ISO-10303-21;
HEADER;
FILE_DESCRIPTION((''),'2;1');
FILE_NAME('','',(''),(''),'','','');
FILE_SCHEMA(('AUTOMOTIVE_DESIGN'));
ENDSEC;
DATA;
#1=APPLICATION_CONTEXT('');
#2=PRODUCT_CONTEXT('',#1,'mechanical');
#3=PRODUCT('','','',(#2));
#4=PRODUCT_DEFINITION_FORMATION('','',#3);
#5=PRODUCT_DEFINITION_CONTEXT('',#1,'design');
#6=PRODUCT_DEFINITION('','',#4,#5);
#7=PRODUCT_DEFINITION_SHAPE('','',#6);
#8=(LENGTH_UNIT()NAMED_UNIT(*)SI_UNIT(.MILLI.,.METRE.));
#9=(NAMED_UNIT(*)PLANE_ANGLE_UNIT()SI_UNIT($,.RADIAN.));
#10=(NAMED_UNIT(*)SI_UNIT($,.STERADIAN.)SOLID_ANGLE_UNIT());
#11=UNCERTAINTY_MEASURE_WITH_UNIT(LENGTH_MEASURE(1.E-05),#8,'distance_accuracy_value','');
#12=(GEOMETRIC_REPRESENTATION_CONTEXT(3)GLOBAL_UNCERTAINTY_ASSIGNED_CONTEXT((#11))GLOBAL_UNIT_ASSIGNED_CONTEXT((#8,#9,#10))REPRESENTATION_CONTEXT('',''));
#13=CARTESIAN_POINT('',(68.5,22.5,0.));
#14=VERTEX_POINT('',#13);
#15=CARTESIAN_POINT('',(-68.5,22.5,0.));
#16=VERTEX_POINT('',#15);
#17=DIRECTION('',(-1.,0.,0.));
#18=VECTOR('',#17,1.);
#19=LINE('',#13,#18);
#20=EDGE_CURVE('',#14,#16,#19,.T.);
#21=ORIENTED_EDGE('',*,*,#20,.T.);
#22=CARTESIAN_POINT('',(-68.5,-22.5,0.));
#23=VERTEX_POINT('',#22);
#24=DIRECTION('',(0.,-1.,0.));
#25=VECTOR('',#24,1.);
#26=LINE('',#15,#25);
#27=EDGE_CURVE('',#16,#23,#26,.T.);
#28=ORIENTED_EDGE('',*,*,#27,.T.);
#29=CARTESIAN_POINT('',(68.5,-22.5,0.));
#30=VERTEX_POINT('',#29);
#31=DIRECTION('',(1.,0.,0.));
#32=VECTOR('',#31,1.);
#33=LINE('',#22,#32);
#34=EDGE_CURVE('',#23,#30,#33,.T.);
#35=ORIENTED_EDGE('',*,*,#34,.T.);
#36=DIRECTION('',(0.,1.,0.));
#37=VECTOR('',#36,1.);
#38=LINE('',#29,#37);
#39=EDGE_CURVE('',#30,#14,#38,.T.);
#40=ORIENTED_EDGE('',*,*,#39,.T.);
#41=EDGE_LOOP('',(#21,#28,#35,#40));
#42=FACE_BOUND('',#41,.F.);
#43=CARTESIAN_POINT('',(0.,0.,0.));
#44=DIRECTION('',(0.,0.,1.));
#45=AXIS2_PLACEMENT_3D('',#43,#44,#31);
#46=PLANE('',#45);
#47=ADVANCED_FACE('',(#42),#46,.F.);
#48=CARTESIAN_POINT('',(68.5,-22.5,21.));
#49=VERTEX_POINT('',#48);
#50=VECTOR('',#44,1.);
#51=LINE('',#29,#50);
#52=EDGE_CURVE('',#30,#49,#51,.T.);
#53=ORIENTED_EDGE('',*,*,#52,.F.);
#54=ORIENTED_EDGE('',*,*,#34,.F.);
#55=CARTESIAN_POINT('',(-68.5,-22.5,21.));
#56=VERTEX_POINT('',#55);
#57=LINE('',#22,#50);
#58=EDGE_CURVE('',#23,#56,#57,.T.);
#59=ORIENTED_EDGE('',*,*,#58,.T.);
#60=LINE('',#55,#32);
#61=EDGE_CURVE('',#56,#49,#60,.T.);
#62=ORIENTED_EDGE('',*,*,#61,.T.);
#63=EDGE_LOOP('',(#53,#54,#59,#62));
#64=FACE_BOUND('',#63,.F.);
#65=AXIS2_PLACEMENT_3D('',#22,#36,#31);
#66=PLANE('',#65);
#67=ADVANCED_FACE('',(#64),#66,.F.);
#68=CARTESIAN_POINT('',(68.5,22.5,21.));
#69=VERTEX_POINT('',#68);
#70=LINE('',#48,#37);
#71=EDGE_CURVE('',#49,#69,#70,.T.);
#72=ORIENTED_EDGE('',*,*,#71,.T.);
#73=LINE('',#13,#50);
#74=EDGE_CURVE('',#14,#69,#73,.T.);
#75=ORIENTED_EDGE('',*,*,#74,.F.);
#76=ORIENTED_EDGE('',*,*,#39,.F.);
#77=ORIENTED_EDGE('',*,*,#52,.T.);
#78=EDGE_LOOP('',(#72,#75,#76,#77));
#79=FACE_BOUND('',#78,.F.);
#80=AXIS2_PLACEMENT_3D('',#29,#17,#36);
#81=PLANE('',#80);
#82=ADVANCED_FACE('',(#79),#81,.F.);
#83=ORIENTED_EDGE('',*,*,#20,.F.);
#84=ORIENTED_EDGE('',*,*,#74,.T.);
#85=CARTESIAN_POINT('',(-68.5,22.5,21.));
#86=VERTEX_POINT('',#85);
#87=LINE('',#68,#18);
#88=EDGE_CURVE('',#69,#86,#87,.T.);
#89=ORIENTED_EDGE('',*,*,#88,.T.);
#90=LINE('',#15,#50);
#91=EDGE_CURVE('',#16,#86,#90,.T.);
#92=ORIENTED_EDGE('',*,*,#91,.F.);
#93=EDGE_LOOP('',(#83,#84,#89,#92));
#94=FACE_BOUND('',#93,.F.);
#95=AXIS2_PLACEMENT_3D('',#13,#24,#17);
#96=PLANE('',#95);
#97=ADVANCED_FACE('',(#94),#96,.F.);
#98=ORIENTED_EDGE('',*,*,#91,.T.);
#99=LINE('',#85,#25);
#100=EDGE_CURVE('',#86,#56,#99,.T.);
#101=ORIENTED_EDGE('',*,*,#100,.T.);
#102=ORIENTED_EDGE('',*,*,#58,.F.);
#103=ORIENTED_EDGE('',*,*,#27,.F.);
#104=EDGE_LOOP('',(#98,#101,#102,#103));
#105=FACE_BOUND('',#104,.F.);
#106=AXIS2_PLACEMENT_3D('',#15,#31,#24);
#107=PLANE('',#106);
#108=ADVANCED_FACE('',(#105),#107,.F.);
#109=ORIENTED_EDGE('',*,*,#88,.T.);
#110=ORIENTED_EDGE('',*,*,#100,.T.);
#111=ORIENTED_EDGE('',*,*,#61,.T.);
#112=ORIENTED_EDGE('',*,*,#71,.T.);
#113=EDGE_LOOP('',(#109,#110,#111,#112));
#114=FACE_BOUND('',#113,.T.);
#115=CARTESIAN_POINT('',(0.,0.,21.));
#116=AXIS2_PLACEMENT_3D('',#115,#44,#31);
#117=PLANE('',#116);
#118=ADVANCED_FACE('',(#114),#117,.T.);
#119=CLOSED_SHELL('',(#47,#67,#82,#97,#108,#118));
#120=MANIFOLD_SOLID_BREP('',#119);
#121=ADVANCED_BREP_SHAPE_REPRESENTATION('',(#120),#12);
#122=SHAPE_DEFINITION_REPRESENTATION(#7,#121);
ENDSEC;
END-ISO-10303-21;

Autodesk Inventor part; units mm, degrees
ref_plane "YZ Plane" through (0, 0, 0) normal (1, 0, 0) x (0, 1, 0)
ref_plane "XZ Plane" through (0, 0, 0) normal (0, 1, 0) x (-1, 0, 0)
ref_plane "XY Plane" through (0, 0, 0) normal (0, 0, 1) x (1, 0, 0)
sketch "スケッチ1" plane through (0, 0, 0) normal (0, 0, 1) x (1, 0, 0)
  line L0 (-68.5, -22.5) -> (68.5, -22.5)
  line L1 (68.5, -22.5) -> (68.5, 22.5)
  line L2 (68.5, 22.5) -> (-68.5, 22.5)
  line L3 (-68.5, 22.5) -> (-68.5, -22.5)
  line L4 (-68.5, -22.5) -> (68.5, 22.5) construction
  line L5 (68.5, -22.5) -> (-68.5, 22.5) construction
  point P0 (0, 0)
  dimension "d0" = 137
  dimension "d1" = 45
extrude "押し出し1" add sketch "スケッチ1" along normal blind 21
properties part number "LiFePo"
